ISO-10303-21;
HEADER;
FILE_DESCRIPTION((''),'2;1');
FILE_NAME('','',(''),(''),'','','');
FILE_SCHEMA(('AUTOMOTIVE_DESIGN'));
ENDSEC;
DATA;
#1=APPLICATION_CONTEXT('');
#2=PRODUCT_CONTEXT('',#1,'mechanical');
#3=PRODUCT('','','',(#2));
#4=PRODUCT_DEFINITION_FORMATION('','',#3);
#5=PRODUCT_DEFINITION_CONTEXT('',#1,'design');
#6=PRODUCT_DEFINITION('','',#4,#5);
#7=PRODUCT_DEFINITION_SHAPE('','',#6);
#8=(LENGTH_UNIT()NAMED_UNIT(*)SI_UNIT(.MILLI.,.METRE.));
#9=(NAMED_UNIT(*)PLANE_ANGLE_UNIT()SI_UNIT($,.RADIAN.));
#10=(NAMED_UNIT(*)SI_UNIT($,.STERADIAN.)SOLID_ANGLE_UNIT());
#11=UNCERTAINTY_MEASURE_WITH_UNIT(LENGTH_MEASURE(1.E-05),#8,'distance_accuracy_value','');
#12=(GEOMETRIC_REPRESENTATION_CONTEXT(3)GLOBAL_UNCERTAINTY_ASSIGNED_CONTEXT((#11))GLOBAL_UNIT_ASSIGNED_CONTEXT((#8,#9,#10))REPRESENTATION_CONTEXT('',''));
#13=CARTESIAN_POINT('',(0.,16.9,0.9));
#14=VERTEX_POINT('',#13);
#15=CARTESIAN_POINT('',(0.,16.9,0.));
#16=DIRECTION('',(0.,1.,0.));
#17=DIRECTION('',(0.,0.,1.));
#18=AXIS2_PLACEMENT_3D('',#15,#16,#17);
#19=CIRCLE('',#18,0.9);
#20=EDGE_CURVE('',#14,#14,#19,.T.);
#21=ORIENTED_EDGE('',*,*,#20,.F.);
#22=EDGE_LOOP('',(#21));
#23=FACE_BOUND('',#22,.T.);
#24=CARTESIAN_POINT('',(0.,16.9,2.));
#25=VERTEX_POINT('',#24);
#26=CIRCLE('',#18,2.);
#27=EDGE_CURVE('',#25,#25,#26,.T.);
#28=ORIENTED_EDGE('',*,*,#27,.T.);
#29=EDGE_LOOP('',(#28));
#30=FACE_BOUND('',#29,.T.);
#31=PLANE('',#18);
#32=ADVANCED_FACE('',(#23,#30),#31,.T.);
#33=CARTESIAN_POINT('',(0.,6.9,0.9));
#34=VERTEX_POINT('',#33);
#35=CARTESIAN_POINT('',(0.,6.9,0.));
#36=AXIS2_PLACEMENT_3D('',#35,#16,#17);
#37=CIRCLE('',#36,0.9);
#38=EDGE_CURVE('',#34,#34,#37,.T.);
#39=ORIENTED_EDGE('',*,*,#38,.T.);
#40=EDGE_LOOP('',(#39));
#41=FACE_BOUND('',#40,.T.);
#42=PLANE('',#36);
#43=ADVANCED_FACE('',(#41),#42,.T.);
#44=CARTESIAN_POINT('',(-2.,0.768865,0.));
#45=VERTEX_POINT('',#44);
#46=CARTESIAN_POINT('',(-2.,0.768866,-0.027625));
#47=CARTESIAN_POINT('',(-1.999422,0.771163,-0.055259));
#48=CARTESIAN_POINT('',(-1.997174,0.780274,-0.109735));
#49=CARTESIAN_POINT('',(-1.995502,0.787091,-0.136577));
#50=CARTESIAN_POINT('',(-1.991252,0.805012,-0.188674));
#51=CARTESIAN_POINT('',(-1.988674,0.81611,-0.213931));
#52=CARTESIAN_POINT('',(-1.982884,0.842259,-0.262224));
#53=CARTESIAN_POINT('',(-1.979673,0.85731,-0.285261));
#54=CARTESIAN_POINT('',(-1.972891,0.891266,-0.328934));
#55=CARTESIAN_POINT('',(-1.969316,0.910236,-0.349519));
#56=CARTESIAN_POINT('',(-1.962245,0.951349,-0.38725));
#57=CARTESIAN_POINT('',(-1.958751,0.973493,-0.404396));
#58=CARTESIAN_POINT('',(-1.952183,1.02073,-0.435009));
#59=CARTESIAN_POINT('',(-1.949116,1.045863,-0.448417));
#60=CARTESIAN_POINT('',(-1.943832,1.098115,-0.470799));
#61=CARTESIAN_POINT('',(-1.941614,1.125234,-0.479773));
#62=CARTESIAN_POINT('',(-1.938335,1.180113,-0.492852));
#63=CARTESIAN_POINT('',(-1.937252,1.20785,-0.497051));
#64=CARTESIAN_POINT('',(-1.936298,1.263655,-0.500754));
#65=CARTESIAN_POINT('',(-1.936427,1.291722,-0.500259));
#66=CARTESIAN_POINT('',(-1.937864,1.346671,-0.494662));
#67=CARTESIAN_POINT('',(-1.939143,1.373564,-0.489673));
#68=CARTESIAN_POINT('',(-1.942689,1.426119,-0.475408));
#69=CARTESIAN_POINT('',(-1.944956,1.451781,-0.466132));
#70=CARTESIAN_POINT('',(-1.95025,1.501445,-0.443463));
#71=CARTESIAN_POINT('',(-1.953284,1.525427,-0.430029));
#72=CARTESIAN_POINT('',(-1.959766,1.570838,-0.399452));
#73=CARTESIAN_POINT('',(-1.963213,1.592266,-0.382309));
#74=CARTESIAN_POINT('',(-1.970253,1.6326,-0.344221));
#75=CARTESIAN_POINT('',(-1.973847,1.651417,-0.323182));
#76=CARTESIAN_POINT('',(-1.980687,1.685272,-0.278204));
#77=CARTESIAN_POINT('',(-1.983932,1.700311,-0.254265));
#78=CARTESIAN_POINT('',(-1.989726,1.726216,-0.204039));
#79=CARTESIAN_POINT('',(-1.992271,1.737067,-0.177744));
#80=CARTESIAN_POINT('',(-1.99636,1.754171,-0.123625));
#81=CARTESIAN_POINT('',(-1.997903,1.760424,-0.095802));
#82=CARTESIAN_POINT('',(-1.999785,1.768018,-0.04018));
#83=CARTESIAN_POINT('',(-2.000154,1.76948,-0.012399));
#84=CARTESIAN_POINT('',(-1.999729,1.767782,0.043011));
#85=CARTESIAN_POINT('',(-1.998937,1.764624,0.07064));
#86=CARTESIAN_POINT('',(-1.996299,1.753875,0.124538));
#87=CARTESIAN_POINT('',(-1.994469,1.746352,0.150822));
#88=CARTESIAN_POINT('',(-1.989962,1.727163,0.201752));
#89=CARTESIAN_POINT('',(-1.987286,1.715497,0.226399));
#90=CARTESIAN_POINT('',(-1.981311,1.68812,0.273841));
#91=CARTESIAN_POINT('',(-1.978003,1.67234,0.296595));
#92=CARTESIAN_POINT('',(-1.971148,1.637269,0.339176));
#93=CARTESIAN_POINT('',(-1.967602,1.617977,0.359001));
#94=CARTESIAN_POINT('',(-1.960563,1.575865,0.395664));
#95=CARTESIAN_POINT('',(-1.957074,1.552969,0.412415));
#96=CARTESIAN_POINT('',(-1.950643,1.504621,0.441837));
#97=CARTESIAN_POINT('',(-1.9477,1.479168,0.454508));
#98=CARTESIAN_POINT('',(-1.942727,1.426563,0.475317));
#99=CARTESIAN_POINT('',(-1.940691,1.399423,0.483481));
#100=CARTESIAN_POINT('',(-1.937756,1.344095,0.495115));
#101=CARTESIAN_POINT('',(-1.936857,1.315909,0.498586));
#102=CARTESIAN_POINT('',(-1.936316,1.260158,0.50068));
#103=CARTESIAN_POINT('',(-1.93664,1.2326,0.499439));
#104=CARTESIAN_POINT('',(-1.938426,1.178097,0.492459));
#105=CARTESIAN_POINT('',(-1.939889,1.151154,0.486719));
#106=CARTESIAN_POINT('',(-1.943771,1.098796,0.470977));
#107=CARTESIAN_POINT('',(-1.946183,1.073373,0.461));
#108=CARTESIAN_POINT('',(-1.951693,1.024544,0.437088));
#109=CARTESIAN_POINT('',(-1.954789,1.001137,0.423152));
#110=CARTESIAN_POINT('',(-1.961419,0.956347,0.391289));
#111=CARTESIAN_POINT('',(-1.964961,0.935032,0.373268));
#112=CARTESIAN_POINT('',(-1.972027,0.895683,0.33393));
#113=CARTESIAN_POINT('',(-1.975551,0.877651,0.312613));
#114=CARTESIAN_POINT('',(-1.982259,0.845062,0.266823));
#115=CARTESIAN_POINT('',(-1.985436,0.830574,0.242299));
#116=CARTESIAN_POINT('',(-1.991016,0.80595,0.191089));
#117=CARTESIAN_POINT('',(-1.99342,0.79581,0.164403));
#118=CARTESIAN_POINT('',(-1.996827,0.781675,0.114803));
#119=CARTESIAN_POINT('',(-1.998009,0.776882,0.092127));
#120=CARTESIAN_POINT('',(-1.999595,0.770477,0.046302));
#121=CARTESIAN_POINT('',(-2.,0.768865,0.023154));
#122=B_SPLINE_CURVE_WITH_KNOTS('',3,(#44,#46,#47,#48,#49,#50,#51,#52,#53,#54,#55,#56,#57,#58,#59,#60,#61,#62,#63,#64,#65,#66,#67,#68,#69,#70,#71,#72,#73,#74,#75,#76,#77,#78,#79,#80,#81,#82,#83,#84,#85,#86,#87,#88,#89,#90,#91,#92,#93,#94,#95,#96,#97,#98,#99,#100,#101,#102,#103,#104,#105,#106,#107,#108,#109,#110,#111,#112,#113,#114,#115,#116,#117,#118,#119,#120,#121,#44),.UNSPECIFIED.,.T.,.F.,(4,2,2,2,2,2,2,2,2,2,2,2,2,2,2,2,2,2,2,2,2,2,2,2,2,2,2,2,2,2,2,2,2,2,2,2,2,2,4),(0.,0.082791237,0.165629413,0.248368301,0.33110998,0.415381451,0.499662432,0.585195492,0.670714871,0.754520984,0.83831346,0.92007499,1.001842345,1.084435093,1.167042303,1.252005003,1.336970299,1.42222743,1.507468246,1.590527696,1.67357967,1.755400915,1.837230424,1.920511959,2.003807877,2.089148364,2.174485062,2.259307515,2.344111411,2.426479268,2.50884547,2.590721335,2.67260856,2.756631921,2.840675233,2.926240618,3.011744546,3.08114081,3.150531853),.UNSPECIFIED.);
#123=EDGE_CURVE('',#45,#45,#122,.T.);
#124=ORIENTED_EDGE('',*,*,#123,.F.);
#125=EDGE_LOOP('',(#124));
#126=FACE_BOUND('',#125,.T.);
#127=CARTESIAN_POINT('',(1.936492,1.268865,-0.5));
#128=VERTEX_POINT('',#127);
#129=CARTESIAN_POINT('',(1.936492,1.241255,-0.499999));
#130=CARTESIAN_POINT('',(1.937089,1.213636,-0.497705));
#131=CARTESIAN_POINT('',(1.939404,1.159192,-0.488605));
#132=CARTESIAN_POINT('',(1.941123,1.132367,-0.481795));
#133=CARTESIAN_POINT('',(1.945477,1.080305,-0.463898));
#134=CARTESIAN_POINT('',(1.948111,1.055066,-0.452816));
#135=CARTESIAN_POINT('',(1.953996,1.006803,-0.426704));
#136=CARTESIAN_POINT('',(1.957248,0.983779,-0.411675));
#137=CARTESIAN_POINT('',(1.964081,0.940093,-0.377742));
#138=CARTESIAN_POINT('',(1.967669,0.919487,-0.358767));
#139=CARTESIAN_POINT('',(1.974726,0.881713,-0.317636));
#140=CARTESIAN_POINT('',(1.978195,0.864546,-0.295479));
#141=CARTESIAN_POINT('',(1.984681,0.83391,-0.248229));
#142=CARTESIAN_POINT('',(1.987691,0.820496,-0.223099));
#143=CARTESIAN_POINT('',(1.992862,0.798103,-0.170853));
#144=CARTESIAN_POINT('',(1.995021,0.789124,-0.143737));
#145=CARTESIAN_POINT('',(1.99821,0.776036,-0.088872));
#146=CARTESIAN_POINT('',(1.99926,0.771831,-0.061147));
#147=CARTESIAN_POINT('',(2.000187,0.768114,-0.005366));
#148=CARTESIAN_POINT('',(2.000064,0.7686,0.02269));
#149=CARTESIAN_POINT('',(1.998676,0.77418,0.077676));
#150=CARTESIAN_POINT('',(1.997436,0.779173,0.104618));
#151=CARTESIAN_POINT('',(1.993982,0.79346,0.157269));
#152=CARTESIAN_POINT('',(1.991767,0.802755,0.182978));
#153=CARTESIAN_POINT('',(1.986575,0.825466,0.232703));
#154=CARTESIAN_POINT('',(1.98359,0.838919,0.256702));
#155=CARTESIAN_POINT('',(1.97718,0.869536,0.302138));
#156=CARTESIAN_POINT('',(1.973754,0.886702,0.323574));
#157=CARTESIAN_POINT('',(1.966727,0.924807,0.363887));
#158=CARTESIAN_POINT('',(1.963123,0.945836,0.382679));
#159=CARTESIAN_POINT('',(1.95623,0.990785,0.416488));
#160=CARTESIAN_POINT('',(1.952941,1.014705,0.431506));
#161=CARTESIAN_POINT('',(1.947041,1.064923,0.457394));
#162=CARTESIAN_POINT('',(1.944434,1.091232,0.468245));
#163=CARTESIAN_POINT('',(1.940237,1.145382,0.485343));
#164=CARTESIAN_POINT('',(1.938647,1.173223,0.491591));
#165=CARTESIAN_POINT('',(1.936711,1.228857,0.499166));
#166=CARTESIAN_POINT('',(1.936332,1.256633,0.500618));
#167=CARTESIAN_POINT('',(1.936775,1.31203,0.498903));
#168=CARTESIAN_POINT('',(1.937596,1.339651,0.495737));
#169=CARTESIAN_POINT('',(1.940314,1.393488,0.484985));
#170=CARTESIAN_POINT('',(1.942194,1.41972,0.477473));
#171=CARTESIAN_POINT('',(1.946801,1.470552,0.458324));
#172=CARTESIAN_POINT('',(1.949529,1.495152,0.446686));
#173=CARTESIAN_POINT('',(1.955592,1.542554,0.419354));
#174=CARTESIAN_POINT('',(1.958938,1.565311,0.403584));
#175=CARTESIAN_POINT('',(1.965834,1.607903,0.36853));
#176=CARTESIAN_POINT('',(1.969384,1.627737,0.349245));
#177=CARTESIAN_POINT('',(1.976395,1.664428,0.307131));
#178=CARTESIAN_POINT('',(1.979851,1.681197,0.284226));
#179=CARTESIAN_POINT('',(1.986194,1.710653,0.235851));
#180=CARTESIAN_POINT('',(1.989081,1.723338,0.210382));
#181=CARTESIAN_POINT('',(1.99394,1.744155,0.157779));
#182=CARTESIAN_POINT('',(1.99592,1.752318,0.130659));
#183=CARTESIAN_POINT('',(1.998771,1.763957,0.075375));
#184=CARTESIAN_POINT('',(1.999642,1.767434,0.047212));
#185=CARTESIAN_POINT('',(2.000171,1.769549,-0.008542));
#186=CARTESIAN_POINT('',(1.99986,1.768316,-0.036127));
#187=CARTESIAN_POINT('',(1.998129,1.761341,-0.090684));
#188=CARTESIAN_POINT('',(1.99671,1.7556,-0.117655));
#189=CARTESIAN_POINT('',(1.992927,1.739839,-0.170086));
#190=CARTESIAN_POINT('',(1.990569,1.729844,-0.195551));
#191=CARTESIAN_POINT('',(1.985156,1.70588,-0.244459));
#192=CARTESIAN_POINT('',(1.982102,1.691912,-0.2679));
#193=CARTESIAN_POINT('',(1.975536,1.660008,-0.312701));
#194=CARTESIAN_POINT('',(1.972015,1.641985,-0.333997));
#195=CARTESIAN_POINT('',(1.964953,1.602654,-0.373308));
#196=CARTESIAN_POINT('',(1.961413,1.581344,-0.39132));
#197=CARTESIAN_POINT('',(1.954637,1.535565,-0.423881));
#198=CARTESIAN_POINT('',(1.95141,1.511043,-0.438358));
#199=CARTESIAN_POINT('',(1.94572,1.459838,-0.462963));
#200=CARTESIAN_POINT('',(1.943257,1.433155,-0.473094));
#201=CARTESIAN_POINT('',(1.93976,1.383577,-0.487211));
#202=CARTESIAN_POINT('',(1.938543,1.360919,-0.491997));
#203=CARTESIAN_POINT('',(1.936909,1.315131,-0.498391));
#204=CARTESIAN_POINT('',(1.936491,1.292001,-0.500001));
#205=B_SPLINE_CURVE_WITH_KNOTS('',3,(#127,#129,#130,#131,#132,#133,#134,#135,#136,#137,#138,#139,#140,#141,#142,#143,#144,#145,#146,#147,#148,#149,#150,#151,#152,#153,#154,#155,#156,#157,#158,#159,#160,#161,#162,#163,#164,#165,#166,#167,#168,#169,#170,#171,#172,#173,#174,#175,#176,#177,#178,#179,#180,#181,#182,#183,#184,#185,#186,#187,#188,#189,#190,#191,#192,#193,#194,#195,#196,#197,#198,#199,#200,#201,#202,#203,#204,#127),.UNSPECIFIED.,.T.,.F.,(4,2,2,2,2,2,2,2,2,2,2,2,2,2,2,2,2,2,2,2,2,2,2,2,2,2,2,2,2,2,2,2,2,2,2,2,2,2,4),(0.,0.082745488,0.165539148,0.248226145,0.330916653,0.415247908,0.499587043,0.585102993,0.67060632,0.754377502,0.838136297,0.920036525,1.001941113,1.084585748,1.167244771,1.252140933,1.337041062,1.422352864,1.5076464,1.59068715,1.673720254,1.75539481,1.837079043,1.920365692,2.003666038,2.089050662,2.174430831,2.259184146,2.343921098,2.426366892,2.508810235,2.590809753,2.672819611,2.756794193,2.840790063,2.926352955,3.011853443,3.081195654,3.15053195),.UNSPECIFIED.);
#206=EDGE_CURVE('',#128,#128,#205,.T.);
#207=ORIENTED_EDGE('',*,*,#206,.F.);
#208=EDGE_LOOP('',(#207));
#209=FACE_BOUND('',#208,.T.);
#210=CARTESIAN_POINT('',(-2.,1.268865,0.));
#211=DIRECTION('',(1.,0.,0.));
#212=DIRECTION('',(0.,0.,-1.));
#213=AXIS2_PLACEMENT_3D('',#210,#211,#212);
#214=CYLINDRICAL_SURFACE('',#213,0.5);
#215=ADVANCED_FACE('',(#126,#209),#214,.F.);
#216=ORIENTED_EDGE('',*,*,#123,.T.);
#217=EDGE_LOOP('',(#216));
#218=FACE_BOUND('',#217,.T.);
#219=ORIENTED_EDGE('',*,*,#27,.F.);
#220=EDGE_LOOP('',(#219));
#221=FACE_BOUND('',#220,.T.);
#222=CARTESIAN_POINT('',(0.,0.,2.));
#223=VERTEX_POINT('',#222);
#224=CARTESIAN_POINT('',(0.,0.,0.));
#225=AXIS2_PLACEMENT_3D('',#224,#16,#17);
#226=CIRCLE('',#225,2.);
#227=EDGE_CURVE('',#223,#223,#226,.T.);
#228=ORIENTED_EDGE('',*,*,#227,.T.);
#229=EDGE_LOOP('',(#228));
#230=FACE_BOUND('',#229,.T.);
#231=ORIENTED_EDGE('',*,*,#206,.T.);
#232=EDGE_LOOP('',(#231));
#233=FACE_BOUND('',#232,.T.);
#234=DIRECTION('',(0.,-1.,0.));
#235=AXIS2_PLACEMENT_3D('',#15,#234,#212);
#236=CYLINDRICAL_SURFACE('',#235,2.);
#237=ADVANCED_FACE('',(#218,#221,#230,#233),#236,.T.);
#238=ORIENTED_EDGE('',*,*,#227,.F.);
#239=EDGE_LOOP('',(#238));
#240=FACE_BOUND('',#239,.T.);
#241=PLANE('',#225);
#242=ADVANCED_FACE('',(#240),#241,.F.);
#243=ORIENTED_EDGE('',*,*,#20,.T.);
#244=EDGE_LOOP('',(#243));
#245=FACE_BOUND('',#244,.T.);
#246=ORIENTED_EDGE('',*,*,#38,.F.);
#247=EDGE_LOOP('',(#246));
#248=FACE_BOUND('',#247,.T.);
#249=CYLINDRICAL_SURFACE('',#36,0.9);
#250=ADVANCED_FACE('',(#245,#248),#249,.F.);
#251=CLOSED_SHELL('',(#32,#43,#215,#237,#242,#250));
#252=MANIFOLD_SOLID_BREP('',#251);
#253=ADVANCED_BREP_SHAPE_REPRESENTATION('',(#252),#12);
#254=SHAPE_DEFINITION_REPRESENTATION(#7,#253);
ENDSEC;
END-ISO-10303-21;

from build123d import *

# Parameters (mm, degrees)
SZKIC1_R                        = 2
DODANIE_WYCI_GNI_CIE1_DEPTH     = 16.9
SZKIC2_R                        = 0.9
WYTNIJ_WYCI_GNI_CIE1_DEPTH      = 10
WYTNIJ_WYCI_GNI_CIE2_DEPTH      = 18.135051794
WYTNIJ_WYCI_GNI_CIE2_DEPTH_BACK = 18.135051794
SZKIC3_R                        = 0.5


with BuildPart() as part:
    # Szkic1 → Dodanie-wyciągnięcie1 (new body)
    with BuildSketch(Plane(origin=(0, 0, 0), x_dir=(1, 0, 0), z_dir=(0, 1, 0))):
        with Locations(Location((0, 0, 0), (0, 0, 270))):
            Circle(SZKIC1_R)
    extrude(amount=DODANIE_WYCI_GNI_CIE1_DEPTH)

    # Szkic2 → Wytnij-wyciągnięcie1 (cut)
    with BuildSketch(Plane(origin=(0, 16.9, 0), x_dir=(1, 0, 0), z_dir=(0, 1, 0))):
        with Locations(Location((0, 0, 0), (0, 0, 270))):
            Circle(SZKIC2_R)
    extrude(amount=-WYTNIJ_WYCI_GNI_CIE1_DEPTH, mode=Mode.SUBTRACT)

    # Szkic3 → Wytnij-wyciągnięcie2 (cut, two sides: drawn at the far end of the back side and taken through both)
    with BuildSketch(Plane(origin=(0, 0, 0), x_dir=(0, 0, -1), z_dir=(1, 0, 0)).offset(-WYTNIJ_WYCI_GNI_CIE2_DEPTH_BACK)):
        with Locations((0, 1.268865349)):
            Circle(SZKIC3_R)
    extrude(amount=WYTNIJ_WYCI_GNI_CIE2_DEPTH + WYTNIJ_WYCI_GNI_CIE2_DEPTH_BACK, mode=Mode.SUBTRACT)


solid = part.part
